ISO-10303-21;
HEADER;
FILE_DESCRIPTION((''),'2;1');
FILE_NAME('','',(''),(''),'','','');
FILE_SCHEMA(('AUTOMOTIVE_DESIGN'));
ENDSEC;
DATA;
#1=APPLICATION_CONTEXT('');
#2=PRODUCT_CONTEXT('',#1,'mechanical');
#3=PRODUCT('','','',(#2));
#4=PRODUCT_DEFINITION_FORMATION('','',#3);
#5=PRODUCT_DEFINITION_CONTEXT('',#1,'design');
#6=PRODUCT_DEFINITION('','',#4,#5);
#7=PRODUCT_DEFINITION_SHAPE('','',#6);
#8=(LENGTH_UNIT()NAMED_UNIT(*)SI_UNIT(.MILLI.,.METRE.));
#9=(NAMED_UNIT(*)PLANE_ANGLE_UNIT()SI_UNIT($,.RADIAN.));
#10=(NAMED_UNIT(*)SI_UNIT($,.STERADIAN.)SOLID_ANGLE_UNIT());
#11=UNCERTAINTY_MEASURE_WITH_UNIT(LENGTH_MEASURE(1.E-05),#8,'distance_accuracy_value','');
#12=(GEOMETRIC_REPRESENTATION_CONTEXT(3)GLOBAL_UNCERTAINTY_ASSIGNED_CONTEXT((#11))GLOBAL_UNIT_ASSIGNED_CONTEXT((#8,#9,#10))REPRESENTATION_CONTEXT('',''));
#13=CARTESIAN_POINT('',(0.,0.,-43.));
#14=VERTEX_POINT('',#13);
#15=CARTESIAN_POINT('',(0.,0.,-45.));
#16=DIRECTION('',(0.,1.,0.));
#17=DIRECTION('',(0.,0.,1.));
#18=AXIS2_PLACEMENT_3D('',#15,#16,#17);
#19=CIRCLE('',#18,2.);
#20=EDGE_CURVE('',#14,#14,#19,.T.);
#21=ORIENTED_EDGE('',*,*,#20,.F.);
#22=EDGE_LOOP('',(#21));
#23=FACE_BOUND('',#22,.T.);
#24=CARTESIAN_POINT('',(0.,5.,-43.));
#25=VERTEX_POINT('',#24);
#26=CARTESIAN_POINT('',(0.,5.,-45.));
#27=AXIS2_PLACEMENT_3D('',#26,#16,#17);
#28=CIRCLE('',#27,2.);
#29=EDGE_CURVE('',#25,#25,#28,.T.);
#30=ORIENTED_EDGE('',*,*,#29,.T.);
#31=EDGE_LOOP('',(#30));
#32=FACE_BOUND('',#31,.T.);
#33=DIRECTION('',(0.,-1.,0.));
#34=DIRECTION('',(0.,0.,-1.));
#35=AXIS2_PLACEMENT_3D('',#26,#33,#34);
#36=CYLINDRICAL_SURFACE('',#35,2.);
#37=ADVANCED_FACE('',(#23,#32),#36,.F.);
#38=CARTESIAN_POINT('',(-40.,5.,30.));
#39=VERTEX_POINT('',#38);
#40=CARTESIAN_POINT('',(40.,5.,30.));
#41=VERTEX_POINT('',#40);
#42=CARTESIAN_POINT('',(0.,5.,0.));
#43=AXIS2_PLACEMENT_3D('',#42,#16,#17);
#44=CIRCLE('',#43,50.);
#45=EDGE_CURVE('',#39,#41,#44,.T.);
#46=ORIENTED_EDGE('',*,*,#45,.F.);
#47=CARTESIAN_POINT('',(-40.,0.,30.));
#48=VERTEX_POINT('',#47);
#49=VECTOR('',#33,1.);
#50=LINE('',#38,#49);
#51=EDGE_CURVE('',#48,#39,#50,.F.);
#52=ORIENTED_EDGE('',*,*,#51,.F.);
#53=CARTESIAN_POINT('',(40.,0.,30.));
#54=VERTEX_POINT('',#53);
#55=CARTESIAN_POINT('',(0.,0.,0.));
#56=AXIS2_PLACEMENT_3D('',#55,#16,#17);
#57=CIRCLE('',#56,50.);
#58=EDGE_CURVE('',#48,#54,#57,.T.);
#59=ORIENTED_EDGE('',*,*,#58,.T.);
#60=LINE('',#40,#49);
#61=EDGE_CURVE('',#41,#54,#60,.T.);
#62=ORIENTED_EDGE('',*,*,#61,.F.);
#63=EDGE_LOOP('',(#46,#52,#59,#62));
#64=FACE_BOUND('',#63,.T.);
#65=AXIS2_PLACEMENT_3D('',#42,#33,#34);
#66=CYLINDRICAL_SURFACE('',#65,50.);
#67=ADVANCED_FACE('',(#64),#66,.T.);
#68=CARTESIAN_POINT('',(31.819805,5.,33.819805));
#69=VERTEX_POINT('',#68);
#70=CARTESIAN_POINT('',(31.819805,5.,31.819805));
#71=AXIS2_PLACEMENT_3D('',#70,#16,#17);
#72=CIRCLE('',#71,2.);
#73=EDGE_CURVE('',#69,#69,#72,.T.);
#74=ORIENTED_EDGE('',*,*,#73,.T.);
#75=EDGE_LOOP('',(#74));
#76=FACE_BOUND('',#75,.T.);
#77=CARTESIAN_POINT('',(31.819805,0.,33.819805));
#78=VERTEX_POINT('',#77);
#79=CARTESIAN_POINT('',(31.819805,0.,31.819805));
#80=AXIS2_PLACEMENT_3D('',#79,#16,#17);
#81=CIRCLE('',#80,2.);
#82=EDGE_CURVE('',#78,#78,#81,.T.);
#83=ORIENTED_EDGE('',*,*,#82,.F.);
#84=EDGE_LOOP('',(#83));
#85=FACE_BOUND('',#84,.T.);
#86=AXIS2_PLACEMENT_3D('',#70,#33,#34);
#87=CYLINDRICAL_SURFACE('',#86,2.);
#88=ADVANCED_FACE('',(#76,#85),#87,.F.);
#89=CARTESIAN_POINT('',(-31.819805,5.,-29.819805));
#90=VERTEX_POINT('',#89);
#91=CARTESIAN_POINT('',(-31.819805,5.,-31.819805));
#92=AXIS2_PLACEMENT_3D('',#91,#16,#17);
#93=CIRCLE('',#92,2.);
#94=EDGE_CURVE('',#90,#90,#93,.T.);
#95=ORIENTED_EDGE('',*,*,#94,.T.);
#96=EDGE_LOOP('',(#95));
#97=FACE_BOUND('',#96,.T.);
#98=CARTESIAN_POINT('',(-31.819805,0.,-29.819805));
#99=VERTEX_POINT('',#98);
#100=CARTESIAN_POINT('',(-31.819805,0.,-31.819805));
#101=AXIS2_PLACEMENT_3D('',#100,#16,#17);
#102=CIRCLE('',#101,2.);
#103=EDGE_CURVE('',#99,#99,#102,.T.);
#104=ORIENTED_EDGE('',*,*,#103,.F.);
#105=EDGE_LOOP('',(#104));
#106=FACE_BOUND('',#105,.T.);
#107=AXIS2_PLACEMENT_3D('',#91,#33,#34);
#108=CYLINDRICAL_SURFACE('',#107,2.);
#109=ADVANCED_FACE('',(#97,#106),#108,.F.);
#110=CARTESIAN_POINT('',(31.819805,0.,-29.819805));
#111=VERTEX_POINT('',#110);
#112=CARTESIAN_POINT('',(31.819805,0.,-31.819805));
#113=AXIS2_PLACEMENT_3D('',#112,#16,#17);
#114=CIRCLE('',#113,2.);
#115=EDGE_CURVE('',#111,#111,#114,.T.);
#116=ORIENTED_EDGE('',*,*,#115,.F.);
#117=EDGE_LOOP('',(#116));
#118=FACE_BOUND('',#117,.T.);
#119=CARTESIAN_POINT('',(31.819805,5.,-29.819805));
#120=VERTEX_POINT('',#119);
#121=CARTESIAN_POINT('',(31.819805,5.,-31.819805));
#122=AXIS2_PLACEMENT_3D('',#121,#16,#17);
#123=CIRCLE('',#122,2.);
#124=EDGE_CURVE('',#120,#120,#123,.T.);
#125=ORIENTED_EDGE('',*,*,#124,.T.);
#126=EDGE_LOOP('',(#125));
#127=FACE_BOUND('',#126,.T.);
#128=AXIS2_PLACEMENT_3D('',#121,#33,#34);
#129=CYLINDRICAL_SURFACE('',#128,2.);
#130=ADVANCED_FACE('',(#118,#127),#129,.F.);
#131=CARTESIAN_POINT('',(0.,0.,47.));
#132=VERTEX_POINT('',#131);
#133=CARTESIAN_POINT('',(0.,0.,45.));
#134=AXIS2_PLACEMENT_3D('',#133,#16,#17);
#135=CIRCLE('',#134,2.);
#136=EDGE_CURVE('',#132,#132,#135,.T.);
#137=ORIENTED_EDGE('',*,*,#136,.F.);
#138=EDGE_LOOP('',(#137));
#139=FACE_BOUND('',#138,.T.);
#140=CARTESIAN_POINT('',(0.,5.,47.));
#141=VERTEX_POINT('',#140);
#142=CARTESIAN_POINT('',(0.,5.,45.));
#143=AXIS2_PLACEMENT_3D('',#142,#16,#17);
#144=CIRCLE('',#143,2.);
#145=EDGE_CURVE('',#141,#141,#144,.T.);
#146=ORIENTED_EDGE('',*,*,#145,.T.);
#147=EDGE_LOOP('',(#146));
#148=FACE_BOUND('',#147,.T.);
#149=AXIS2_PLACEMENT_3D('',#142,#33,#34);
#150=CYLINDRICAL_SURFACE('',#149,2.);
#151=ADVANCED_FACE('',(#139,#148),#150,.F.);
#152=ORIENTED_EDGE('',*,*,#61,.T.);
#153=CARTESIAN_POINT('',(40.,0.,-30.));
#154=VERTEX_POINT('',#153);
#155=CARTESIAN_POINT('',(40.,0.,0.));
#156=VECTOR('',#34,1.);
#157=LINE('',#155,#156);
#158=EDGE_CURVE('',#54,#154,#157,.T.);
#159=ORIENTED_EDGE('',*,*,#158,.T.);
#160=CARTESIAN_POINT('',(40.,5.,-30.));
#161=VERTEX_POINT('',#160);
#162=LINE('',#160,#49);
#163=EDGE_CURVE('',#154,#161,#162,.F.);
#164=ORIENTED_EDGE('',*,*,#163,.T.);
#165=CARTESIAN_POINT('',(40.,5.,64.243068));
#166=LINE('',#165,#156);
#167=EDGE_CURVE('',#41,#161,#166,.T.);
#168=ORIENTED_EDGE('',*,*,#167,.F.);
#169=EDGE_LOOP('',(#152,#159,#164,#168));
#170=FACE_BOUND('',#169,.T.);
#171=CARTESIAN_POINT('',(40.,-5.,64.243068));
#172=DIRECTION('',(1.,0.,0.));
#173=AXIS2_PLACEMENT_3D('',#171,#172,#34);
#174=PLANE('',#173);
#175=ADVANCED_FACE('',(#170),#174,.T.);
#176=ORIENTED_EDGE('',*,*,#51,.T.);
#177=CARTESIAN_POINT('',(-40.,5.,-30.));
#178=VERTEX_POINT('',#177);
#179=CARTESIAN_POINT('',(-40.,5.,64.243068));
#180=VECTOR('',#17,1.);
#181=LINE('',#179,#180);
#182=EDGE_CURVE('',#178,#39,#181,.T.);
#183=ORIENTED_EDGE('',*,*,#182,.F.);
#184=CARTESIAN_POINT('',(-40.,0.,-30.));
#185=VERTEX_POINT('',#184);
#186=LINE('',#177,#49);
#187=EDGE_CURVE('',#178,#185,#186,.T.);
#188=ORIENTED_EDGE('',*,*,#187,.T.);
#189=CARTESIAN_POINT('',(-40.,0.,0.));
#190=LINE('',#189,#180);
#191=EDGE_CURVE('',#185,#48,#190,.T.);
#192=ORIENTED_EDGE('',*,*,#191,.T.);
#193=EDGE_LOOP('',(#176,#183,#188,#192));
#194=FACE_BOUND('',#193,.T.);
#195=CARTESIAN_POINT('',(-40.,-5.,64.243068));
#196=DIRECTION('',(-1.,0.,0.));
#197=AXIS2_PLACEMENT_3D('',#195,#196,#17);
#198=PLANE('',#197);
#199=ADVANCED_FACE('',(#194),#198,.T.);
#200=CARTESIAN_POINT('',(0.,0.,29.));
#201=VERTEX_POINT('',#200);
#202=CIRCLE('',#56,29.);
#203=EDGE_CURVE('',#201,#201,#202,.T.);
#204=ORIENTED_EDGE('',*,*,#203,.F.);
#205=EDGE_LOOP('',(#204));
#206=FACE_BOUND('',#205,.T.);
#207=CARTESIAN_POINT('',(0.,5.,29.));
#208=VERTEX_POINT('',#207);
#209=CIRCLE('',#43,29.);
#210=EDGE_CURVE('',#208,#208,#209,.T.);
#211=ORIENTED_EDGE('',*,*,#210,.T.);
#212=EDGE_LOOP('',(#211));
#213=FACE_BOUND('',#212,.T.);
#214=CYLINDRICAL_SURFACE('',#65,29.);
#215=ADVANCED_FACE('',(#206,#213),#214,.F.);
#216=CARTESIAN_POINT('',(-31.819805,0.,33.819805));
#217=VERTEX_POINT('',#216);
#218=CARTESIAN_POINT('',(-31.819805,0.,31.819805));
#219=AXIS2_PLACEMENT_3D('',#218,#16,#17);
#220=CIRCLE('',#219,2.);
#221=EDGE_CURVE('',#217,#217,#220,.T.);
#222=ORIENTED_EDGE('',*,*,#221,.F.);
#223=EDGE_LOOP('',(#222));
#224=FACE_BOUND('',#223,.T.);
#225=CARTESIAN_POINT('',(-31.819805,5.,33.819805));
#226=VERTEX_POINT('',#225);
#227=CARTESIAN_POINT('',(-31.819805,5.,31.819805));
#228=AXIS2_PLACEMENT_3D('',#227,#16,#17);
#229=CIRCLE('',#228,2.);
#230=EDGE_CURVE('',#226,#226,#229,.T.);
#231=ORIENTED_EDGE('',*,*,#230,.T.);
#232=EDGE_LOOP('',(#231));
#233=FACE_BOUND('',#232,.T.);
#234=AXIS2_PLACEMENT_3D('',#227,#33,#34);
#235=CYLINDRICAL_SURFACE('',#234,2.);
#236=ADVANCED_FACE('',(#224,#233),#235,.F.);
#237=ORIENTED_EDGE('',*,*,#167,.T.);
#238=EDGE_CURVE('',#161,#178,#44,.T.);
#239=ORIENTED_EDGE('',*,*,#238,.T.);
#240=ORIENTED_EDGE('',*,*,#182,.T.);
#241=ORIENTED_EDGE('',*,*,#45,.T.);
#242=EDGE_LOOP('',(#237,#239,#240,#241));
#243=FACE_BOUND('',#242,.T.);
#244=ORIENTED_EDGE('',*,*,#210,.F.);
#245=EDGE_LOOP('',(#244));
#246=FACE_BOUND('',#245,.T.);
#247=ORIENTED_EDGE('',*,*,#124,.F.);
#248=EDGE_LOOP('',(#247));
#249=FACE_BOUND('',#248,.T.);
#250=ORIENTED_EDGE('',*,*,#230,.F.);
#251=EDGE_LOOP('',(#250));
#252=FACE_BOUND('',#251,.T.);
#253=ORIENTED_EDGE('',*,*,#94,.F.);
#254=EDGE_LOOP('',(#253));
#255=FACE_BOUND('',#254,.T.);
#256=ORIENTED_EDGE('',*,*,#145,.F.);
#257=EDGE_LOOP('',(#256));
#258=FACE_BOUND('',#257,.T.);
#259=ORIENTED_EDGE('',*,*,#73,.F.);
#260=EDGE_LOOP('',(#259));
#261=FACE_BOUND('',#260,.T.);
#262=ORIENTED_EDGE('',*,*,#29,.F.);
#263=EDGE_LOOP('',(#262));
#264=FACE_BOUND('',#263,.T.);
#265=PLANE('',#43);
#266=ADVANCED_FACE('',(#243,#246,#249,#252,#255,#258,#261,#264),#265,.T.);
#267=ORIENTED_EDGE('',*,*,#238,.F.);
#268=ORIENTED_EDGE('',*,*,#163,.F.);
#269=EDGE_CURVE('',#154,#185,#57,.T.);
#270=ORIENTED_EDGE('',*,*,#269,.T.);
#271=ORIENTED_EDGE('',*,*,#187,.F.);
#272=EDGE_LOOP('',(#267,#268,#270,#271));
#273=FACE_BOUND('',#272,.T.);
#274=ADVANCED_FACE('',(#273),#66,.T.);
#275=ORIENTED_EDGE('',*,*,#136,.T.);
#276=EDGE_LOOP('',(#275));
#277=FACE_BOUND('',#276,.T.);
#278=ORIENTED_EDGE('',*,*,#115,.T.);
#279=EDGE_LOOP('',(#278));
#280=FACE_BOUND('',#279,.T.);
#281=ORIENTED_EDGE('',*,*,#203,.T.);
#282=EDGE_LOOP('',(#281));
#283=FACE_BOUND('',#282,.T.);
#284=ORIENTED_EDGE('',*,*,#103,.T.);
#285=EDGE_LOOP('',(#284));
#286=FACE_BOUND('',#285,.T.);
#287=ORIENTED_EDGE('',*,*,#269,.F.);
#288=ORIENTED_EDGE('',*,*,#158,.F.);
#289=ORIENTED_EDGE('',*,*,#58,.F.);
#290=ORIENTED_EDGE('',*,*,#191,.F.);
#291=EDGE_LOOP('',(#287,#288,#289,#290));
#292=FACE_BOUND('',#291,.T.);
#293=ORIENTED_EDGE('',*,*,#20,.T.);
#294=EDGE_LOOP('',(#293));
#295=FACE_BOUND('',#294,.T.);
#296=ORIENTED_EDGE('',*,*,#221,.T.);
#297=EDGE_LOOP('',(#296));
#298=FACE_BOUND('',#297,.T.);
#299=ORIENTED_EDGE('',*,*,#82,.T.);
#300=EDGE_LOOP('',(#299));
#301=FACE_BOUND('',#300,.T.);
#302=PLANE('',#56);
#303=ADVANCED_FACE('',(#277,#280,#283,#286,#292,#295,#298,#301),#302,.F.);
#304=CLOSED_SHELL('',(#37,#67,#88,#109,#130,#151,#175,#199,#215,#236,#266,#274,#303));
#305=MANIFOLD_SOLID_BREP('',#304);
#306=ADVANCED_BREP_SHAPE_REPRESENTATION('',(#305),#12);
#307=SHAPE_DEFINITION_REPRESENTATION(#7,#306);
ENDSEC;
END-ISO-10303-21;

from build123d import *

# Parameters (mm, degrees)
SKETCH_1_R          = 50
SKETCH_1_R_2        = 29
SKETCH_1_R_3        = 2
EXTRUDE_1_DEPTH     = 5
SKETCH_2_W          = 110
SKETCH_2_H          = 158.486135634
SKETCH_2_W_2        = 80
SKETCH_2_H_2        = 128.486135634
CUT_EXTRUDE_1_DEPTH = 10


with BuildPart() as part:
    # 草图1 → 凸台-拉伸1 (new body)
    with BuildSketch(Plane(origin=(0, 0, 0), x_dir=(1, 0, 0), z_dir=(0, 1, 0))):
        with Locations(Location((0, 0, 0), (0, 0, 270))):
            Circle(SKETCH_1_R)
        with Locations(Location((0, 0, 0), (0, 0, 270))):
            Circle(SKETCH_1_R_2, mode=Mode.SUBTRACT)
        with Locations(Location((45, 0, 0), (0, 0, 270))):
            Circle(SKETCH_1_R_3, mode=Mode.SUBTRACT)
        with Locations(Location((31.819805153, -31.819805153, 0), (0, 0, 270))):
            Circle(SKETCH_1_R_3, mode=Mode.SUBTRACT)
        with Locations(Location((0, -45, 0), (0, 0, 270))):
            Circle(SKETCH_1_R_3, mode=Mode.SUBTRACT)
        with Locations(Location((-31.819805153, -31.819805153, 0), (0, 0, 270))):
            Circle(SKETCH_1_R_3, mode=Mode.SUBTRACT)
        with Locations(Location((-45, 0, 0), (0, 0, 270))):
            Circle(SKETCH_1_R_3, mode=Mode.SUBTRACT)
        with Locations(Location((-31.819805153, 31.819805153, 0), (0, 0, 270))):
            Circle(SKETCH_1_R_3, mode=Mode.SUBTRACT)
        with Locations(Location((0, 45, 0), (0, 0, 270))):
            Circle(SKETCH_1_R_3, mode=Mode.SUBTRACT)
        with Locations(Location((31.819805153, 31.819805153, 0), (0, 0, 270))):
            Circle(SKETCH_1_R_3, mode=Mode.SUBTRACT)
    extrude(amount=EXTRUDE_1_DEPTH)

    # 草图2 → 切除-拉伸-薄壁1 (cut)
    with BuildSketch(Plane(origin=(0, 5, 0), x_dir=(1, 0, 0), z_dir=(0, 1, 0))):
        Rectangle(SKETCH_2_W, SKETCH_2_H)
        Rectangle(SKETCH_2_W_2, SKETCH_2_H_2, mode=Mode.SUBTRACT)
    extrude(amount=-CUT_EXTRUDE_1_DEPTH, mode=Mode.SUBTRACT)


solid = part.part
